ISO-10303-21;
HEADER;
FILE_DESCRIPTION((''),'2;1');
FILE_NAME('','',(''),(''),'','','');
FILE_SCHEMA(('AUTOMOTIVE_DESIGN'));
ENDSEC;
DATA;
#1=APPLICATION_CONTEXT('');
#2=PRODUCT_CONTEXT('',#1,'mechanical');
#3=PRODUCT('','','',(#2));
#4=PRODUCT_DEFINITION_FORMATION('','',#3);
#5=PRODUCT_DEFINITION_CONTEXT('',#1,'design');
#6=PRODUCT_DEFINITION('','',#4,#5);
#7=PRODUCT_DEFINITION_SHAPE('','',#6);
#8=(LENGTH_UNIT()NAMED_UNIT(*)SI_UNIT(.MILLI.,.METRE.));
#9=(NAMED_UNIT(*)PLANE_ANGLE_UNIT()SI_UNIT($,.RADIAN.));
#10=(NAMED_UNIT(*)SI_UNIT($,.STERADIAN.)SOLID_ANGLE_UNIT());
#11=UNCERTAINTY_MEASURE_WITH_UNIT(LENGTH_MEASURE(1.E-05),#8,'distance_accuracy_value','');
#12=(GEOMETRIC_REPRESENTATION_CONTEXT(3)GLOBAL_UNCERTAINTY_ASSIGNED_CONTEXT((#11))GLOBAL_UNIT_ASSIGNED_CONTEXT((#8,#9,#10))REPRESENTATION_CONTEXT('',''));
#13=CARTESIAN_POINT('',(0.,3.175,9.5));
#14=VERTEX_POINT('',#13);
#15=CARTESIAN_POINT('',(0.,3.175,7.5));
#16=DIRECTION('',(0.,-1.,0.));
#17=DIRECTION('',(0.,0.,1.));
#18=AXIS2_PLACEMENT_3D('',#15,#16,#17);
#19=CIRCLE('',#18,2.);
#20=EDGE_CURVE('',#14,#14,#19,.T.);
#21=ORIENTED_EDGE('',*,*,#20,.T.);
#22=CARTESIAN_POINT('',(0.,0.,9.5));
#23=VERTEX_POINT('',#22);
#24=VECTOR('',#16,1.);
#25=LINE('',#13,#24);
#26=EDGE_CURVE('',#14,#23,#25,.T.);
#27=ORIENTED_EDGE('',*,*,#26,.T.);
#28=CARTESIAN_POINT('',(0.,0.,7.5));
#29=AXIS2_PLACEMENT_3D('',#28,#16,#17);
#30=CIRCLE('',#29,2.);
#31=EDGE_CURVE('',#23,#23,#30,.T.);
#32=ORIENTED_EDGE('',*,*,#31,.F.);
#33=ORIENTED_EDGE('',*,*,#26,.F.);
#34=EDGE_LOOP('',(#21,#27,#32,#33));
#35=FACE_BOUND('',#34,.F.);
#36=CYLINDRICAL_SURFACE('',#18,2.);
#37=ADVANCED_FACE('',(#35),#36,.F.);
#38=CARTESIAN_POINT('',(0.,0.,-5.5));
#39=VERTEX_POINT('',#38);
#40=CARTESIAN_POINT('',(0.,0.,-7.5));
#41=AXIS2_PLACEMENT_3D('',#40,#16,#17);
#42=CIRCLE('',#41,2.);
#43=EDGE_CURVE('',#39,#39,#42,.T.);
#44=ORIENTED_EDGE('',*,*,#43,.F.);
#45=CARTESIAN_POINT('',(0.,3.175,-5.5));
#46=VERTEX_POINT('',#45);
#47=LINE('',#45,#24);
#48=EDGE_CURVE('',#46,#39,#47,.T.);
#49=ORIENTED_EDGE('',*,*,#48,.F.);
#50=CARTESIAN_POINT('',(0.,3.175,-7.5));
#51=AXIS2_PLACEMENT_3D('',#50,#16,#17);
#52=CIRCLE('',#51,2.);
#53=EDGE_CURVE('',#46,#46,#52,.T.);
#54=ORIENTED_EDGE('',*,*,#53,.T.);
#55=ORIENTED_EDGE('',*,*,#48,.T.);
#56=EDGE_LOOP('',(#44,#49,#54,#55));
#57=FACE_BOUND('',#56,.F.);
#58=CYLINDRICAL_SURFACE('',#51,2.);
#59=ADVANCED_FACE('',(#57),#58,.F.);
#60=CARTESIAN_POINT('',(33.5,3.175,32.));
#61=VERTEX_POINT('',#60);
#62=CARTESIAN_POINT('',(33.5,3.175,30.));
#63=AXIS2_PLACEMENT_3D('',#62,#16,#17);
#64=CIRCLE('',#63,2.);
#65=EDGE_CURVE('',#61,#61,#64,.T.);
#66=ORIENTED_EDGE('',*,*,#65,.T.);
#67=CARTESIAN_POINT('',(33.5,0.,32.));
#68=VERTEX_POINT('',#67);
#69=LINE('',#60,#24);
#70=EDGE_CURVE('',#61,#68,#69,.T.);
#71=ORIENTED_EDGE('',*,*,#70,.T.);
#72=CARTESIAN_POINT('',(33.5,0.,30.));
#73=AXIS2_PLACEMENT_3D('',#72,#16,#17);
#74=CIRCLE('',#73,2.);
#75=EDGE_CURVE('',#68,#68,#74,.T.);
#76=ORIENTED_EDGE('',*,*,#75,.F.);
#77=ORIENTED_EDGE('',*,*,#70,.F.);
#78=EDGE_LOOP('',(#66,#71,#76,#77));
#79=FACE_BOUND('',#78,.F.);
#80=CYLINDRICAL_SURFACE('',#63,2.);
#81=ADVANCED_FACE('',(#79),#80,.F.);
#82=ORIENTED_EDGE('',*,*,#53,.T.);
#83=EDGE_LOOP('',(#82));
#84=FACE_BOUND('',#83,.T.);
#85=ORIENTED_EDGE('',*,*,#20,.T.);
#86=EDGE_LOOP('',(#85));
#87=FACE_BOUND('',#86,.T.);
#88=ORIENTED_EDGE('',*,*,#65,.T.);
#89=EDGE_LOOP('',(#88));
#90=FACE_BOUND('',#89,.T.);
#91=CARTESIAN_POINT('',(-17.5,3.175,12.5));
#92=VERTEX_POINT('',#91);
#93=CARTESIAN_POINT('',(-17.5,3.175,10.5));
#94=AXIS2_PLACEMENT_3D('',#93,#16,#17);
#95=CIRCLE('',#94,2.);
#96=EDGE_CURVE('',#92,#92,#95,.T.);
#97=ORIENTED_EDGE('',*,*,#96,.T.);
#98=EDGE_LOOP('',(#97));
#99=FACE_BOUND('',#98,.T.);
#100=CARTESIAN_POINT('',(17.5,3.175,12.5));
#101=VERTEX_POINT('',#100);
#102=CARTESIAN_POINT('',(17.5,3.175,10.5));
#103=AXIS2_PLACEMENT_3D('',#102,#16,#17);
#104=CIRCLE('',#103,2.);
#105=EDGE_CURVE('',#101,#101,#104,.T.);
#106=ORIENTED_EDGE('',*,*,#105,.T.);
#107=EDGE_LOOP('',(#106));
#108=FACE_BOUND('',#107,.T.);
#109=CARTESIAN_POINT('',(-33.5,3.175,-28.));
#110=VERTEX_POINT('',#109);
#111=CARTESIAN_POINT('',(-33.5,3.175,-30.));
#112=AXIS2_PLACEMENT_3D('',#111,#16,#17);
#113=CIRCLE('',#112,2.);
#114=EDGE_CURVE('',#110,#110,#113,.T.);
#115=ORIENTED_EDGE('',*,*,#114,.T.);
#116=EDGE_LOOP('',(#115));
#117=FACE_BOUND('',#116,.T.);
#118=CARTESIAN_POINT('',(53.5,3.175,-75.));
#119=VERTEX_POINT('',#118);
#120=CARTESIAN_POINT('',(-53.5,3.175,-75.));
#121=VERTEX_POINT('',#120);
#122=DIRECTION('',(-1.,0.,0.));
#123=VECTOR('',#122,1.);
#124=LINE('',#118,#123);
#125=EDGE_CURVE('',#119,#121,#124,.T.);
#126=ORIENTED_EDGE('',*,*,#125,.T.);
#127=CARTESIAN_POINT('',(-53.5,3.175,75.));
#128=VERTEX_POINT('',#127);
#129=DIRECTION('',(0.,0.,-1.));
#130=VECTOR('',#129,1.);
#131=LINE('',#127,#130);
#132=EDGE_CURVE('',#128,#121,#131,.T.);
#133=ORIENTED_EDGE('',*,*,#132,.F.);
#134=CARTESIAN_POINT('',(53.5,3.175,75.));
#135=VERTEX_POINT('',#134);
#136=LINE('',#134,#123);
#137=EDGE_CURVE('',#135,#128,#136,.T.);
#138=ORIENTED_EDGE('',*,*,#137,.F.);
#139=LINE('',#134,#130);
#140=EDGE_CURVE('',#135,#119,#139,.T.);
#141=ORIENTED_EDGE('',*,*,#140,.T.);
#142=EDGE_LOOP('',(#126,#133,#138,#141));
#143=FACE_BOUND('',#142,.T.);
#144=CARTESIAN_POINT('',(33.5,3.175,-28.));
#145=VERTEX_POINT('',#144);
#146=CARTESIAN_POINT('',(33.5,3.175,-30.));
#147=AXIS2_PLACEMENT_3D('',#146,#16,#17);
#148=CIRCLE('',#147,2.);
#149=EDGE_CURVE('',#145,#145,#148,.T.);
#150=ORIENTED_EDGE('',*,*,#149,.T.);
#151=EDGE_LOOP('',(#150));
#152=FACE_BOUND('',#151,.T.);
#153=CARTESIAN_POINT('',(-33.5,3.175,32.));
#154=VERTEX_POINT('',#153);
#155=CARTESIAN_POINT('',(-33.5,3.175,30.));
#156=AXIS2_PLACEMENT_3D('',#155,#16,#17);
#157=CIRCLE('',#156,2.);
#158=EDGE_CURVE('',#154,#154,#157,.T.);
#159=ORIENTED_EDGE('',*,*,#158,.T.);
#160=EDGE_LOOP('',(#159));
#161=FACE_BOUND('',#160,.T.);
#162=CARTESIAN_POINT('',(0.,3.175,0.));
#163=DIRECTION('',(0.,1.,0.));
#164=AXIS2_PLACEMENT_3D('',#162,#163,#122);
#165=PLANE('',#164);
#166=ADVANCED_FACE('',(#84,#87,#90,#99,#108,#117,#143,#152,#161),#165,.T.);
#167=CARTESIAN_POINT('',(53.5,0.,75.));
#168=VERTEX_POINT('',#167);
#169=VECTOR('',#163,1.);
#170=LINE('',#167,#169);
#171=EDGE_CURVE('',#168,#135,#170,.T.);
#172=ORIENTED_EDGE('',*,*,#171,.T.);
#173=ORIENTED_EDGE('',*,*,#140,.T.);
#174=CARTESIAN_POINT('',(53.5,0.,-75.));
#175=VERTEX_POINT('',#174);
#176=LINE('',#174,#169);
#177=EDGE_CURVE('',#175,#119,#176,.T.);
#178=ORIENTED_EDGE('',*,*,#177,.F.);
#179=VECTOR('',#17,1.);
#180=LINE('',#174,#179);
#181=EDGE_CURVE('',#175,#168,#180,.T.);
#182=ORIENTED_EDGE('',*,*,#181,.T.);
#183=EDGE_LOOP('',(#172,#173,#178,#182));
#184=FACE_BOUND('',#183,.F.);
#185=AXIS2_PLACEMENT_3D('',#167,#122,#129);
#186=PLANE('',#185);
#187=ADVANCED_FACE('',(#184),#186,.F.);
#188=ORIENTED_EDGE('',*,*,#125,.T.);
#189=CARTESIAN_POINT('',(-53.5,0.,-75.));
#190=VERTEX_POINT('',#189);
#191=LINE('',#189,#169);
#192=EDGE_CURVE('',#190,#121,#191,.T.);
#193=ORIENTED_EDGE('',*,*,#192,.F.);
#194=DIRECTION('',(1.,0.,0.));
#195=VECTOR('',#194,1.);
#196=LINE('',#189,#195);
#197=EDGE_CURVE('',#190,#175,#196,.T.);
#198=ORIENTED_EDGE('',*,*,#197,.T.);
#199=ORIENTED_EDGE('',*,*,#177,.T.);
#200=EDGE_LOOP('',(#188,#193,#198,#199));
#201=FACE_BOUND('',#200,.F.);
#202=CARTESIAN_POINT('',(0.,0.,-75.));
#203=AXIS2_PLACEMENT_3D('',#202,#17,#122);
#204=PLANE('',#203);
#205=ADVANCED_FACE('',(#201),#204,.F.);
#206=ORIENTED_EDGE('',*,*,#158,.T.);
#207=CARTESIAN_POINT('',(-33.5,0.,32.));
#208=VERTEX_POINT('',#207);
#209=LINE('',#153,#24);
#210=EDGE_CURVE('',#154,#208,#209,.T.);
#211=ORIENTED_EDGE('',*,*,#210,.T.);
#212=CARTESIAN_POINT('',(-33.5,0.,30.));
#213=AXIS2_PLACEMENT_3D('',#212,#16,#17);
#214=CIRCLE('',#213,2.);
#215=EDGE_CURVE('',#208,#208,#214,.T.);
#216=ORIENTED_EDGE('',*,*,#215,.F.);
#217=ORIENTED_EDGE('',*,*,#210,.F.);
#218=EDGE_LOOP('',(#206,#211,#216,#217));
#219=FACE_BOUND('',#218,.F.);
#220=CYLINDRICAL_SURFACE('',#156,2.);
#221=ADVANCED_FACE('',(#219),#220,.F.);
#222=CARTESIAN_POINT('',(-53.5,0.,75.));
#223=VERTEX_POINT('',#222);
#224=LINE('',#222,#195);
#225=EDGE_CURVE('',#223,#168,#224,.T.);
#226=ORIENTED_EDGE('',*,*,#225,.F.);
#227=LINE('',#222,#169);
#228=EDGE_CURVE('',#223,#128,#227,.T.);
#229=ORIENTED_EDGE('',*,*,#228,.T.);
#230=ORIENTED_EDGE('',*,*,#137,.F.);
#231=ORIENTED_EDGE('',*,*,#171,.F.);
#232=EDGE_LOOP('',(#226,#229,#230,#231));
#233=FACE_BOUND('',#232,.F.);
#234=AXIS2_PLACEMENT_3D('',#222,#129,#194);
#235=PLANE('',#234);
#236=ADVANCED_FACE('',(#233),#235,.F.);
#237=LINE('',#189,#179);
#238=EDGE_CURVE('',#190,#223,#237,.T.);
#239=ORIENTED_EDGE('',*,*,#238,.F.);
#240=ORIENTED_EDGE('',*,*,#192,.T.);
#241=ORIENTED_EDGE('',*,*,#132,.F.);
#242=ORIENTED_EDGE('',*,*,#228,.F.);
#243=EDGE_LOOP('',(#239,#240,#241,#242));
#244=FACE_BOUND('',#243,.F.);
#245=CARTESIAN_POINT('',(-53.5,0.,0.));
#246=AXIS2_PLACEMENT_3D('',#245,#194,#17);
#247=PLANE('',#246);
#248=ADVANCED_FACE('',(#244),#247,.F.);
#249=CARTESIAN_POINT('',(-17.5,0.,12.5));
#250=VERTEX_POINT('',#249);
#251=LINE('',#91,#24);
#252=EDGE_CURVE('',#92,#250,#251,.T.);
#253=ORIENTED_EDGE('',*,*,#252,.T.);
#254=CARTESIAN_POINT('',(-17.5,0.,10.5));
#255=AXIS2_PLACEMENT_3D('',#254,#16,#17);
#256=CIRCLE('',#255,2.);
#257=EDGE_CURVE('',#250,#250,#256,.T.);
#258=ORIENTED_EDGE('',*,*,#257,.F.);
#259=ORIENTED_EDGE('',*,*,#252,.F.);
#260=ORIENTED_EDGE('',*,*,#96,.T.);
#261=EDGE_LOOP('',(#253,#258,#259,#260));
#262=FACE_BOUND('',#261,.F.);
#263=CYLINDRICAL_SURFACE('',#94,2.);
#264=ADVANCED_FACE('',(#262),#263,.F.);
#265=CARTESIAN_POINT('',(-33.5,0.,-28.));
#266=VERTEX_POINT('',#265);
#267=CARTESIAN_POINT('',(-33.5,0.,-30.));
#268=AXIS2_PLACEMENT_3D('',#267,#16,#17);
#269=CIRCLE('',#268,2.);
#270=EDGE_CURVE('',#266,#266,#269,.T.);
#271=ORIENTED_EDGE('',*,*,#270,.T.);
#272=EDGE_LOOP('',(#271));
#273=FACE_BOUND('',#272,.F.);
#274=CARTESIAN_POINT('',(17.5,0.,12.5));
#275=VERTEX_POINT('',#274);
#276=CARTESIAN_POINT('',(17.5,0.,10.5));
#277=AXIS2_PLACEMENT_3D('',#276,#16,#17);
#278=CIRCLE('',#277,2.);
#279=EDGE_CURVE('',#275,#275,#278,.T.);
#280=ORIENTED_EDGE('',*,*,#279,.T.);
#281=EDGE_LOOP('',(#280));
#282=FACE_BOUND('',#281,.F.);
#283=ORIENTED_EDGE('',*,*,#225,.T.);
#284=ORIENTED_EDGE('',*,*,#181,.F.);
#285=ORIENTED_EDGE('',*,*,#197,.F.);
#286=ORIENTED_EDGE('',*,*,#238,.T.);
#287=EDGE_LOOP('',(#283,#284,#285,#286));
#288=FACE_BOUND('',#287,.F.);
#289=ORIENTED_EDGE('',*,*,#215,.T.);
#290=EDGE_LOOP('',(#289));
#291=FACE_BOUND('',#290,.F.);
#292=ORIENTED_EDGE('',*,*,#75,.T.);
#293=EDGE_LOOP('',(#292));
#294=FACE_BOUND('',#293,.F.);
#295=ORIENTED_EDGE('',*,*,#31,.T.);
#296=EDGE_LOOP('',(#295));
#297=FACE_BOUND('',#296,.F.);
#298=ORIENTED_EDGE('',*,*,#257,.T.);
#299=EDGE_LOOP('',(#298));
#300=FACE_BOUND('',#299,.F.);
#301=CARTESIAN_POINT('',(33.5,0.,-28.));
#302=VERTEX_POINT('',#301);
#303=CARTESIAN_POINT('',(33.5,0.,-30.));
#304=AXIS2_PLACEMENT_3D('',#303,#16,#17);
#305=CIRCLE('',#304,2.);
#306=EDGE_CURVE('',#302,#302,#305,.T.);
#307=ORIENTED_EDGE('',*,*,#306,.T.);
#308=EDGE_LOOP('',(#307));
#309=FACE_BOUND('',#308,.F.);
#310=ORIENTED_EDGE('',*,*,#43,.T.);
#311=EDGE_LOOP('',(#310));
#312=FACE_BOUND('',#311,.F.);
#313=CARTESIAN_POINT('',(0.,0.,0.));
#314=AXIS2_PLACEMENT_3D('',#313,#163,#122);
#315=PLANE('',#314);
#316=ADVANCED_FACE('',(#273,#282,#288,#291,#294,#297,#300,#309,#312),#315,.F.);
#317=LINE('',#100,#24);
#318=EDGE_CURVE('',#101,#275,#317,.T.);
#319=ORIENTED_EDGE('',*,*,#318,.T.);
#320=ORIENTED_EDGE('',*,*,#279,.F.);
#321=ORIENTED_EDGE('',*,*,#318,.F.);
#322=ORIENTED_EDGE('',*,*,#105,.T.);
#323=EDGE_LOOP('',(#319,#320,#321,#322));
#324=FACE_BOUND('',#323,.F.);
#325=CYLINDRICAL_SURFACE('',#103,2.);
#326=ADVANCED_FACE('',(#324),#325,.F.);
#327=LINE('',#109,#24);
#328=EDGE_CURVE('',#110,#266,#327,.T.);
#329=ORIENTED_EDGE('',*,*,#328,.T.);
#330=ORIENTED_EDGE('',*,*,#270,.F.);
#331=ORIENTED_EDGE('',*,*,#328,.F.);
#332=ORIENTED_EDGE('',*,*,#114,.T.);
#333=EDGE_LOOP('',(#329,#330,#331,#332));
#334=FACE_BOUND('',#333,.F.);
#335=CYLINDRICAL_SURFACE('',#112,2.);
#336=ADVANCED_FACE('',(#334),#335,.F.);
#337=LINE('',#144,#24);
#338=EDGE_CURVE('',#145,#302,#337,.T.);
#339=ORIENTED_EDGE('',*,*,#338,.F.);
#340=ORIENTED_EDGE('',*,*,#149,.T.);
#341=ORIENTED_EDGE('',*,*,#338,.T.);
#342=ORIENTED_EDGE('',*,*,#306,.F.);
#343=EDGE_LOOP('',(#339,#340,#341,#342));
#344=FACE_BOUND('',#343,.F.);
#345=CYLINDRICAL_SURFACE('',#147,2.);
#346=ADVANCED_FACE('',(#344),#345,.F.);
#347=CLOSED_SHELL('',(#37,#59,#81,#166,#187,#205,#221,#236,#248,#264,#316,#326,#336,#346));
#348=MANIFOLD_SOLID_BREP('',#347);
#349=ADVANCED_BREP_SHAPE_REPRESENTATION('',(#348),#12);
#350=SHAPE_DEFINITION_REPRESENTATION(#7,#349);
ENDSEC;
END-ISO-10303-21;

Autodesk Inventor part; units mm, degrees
ref_plane "YZ Plane" through (0, 0, 0) normal (1, 0, 0) x (0, 1, 0)
ref_plane "XZ Plane" through (0, 0, 0) normal (0, 1, 0) x (-1, 0, 0)
ref_plane "XY Plane" through (0, 0, 0) normal (0, 0, 1) x (1, 0, 0)
sketch "Sketch1" plane through (0, 0, 0) normal (0, 1, 0) x (-1, 0, 0)
  line L0 (53.5, 75) -> (-53.5, 75)
  line L1 (-53.5, 75) -> (-53.5, -75)
  line L2 (-53.5, -75) -> (53.5, -75)
  line L3 (53.5, -75) -> (53.5, 75)
  line L4 (74.9, 0) -> (-74.9, 0) projected
  line L5 (0, -105) -> (0, 105) projected
  point P0 (0, 0)
  point P1 (0, 75)
  point P2 (53.5, 0)
  dimension "d0" = 150
  dimension "d1" = 107
extrude "Extrusion1" add sketch "Sketch1" along normal blind 3.175
sketch "Sketch2" plane through (0, 3.175, 0) normal (0, 1, 0) x (1, 0, 0)
  line L0 (-53.5, -75) -> (53.5, -75) projected
  line L1 (-53.5, 75) -> (-53.5, -75) projected
  line L2 (53.5, 75) -> (-53.5, 75) projected
  line L3 (-33.5, -30) -> (33.5, -30)
  line L4 (33.5, -30) -> (33.5, 30) construction
  line L5 (33.5, 30) -> (-33.5, 30) construction
  line L6 (-33.5, 30) -> (-33.5, -30) construction
  line L7 (-74.9, 0) -> (74.9, 0) projected
  line L8 (0, 105) -> (0, -105) projected
  line L9 (-17.5, -10.5) -> (17.5, -10.5)
  point P0 (0, -30)
  point P1 (-33.5, 0)
  point P2 (0, -10.5)
  point P3 (0, -7.5)
  point P4 (0, 7.5)
  dimension "d11" = 45
  dimension "d12" = 20
  dimension "d13" = 64.5
  dimension "d14" = 35
  dimension "d15" = 7.5
  dimension "d16" = 7.5
hole "Hole1" at (-17.5, 3.175, 10.5) at (17.5, 3.175, 10.5) at (-33.5, 3.175, 30) at (-33.5, 3.175, -30) at (33.5, 3.175, -30) at (33.5, 3.175, 30) direction (0, -1, 0) diameter 4 end through all
hole "Hole2" at (0, 3.175, 7.5) at (0, 3.175, -7.5) direction (0, -1, 0) diameter 4 end through all
equation "\"d16\" = d15"
properties part number "base superior"
